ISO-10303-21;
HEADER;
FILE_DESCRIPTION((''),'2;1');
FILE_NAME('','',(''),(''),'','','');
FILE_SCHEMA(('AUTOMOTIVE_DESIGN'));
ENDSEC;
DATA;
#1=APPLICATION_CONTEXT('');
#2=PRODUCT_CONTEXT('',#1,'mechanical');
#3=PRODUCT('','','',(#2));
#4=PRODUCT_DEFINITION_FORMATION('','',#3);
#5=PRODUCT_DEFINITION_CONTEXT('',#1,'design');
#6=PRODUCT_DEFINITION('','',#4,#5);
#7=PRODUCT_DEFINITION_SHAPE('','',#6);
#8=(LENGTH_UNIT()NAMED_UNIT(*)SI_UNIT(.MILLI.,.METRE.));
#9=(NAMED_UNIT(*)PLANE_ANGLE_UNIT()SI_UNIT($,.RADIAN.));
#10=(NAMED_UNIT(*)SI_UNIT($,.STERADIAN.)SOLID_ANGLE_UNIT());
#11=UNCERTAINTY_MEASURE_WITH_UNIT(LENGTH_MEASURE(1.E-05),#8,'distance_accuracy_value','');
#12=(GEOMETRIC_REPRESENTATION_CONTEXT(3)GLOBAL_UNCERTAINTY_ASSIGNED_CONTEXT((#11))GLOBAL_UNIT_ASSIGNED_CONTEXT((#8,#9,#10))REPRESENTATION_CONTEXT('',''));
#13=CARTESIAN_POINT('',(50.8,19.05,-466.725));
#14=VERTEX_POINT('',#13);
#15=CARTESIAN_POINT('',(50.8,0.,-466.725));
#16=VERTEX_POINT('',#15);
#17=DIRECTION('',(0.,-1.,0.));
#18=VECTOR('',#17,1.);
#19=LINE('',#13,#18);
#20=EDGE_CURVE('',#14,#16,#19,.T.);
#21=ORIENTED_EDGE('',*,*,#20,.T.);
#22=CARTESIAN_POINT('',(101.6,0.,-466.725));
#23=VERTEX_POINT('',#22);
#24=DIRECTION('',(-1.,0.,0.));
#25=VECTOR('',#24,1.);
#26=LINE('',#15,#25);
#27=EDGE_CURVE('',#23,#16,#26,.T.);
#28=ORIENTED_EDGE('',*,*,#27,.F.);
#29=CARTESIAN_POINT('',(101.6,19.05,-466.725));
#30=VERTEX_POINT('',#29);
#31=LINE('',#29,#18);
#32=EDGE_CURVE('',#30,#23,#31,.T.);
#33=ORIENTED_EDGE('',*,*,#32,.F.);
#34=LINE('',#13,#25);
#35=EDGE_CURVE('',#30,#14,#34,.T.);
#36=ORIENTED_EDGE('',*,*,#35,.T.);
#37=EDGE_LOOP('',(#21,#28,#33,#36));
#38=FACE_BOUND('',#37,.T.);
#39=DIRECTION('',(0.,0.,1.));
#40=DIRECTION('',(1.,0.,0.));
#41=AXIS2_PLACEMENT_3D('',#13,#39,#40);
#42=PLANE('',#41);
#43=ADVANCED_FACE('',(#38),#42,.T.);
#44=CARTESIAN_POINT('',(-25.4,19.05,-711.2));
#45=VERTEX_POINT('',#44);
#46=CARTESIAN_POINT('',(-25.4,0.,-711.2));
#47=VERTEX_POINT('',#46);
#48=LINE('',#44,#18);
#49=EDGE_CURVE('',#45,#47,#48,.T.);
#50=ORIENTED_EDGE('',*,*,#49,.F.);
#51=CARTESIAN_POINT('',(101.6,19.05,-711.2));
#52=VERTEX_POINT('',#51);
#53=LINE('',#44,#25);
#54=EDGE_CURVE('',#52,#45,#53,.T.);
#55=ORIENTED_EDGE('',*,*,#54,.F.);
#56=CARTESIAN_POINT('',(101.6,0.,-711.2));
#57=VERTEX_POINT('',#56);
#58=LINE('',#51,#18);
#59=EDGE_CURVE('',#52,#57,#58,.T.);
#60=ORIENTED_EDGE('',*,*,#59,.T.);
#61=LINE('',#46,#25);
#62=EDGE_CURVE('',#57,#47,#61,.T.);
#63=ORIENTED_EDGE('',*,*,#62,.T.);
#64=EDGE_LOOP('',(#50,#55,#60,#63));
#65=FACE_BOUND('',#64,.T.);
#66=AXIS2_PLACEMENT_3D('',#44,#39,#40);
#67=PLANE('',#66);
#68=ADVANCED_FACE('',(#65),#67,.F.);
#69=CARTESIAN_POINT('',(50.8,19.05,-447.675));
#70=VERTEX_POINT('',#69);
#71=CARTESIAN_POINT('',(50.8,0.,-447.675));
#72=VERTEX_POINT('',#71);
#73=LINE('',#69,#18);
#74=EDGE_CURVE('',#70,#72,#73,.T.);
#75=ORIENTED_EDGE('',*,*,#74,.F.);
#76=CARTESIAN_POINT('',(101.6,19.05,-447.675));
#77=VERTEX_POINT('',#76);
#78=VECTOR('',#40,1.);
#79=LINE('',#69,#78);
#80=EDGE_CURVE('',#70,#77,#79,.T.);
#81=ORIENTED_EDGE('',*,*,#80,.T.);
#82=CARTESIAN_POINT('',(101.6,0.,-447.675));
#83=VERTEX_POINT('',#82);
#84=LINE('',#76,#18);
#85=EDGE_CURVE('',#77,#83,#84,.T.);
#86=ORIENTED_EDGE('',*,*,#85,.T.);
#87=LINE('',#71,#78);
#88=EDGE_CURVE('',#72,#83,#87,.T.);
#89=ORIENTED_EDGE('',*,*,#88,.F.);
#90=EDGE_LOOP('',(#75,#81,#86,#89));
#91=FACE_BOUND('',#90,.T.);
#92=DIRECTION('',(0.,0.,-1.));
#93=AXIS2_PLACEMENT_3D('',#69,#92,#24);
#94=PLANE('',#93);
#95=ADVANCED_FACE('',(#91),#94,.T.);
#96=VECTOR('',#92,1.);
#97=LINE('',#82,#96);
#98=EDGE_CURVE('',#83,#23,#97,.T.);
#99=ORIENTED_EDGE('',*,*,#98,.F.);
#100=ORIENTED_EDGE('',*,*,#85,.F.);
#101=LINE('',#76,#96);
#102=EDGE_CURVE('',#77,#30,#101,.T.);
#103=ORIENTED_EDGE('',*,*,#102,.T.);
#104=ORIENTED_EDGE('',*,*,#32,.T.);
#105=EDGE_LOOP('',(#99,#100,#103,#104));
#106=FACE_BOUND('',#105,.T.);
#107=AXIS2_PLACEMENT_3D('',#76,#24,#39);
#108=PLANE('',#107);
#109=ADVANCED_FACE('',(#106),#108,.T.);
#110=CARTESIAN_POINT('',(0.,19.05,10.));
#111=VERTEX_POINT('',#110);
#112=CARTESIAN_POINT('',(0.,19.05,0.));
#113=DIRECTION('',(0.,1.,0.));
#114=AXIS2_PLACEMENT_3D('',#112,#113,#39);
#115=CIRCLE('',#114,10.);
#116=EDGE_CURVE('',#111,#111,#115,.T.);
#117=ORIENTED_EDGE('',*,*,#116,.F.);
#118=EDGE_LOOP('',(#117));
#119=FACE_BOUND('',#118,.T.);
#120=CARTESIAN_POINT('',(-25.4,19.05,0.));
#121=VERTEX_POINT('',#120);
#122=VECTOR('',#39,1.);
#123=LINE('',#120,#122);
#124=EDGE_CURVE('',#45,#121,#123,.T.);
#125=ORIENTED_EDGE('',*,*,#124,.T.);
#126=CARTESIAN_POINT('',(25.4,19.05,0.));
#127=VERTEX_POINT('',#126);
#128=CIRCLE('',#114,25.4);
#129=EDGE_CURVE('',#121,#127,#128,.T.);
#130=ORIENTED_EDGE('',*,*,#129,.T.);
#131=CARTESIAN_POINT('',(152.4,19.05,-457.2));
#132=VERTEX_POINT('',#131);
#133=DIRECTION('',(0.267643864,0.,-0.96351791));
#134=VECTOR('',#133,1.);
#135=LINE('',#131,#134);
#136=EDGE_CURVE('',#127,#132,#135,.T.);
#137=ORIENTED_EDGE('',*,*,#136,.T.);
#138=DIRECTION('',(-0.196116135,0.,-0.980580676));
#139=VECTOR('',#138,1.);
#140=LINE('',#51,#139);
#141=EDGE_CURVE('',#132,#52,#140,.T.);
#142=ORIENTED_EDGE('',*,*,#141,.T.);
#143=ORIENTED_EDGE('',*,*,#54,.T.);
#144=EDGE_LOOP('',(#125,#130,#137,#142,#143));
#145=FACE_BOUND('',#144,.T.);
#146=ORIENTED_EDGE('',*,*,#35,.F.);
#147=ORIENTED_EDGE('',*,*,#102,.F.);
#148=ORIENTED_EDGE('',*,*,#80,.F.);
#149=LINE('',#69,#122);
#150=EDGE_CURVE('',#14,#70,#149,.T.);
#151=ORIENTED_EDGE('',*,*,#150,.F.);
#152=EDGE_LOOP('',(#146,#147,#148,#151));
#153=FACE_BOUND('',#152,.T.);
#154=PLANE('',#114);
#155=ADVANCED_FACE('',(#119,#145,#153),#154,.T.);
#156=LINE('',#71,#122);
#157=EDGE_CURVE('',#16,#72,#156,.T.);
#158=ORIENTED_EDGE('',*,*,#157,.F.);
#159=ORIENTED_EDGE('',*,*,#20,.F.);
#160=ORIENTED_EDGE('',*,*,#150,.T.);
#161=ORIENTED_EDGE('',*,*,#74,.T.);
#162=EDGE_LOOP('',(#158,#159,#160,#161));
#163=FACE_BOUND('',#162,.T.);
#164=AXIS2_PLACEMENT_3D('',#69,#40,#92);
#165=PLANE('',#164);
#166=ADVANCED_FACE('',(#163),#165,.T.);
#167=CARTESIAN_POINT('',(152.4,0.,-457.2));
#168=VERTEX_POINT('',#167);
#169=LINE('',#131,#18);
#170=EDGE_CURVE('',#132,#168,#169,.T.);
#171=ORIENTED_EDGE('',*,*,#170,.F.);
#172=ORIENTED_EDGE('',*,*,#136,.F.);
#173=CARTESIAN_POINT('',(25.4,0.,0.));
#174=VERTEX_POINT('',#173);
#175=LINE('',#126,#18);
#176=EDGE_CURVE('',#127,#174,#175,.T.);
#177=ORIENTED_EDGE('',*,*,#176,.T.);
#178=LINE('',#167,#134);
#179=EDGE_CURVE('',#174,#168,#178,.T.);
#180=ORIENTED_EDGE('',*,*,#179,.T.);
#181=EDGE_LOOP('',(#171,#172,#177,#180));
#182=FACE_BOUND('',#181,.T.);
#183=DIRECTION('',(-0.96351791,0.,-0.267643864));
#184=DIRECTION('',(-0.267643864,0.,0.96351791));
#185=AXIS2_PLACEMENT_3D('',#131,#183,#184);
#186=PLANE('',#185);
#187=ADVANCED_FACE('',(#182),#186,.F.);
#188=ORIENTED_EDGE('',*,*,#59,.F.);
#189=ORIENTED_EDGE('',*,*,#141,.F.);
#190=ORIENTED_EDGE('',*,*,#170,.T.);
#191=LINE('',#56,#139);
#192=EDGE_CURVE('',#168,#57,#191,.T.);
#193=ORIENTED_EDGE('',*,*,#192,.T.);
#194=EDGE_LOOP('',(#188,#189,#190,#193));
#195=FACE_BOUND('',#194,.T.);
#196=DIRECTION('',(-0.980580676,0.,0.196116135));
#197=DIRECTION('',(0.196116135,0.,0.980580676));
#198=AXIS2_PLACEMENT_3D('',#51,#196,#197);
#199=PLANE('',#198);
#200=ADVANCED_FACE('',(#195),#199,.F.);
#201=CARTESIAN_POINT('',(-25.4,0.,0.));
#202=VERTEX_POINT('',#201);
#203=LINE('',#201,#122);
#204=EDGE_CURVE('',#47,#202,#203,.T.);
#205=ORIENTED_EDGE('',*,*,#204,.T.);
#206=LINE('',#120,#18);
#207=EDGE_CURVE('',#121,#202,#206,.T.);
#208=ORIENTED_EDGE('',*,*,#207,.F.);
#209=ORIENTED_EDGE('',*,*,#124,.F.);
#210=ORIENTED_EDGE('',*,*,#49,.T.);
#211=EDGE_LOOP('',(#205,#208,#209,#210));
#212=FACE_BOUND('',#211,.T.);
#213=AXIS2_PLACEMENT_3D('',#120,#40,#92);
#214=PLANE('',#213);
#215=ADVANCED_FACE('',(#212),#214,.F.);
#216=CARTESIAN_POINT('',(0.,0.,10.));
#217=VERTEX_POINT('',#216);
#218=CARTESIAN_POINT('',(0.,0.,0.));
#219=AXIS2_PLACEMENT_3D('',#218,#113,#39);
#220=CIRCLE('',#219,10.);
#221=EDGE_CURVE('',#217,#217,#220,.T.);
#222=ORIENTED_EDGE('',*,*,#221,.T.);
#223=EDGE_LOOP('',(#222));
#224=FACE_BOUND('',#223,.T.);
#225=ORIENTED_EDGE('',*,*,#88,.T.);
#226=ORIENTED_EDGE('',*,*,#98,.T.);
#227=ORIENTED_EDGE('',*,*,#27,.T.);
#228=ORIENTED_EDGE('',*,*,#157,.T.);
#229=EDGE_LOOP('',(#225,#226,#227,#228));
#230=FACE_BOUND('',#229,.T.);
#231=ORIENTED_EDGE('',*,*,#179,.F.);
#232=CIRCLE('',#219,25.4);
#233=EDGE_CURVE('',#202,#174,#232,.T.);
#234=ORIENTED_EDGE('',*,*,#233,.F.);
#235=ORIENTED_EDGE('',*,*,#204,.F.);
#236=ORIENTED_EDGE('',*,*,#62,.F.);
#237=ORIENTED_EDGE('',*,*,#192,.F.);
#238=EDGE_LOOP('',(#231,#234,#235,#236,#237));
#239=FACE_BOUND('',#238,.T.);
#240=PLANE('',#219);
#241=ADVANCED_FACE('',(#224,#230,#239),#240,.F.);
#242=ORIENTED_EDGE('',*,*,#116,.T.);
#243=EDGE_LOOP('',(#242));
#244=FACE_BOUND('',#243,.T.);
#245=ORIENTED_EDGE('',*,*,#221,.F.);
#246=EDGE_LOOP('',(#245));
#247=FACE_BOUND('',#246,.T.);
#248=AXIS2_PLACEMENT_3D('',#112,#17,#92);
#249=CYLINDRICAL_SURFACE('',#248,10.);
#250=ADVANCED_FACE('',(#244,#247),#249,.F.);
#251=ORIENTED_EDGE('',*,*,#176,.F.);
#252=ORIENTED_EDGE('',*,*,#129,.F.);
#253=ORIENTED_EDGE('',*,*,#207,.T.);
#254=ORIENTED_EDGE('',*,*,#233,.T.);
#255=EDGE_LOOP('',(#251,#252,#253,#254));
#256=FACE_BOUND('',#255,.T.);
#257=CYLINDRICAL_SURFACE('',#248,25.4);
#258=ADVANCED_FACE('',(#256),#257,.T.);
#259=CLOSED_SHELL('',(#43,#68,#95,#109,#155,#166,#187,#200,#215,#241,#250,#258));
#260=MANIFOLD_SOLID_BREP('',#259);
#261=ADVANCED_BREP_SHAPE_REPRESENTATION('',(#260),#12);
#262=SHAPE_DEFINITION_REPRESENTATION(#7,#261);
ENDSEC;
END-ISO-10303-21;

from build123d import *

# Parameters (mm, degrees)
SKETCH1_R           = 10
SKETCH1_W           = 50.8
SKETCH1_H           = 19.05
BOSS_EXTRUDE1_DEPTH = 19.05


with BuildPart() as part:
    # Sketch1 → Boss-Extrude1 (new body)
    with BuildSketch(Plane(origin=(0, 0, 0), x_dir=(1, 0, 0), z_dir=(0, 1, 0))):
        with BuildLine():
            Line((-25.4, 0), (-25.4, 711.2))
            Line((-25.4, 711.2), (101.6, 711.2))
            Line((101.6, 711.2), (152.4, 457.2))
            Line((152.4, 457.2), (25.4, 0))
            ThreePointArc((25.4, 0), (0, -25.4), (-25.4, 0))
        make_face()
        Circle(SKETCH1_R, mode=Mode.SUBTRACT)
        with Locations((76.2, 457.2)):
            Rectangle(SKETCH1_W, SKETCH1_H, mode=Mode.SUBTRACT)
    extrude(amount=BOSS_EXTRUDE1_DEPTH)


solid = part.part
